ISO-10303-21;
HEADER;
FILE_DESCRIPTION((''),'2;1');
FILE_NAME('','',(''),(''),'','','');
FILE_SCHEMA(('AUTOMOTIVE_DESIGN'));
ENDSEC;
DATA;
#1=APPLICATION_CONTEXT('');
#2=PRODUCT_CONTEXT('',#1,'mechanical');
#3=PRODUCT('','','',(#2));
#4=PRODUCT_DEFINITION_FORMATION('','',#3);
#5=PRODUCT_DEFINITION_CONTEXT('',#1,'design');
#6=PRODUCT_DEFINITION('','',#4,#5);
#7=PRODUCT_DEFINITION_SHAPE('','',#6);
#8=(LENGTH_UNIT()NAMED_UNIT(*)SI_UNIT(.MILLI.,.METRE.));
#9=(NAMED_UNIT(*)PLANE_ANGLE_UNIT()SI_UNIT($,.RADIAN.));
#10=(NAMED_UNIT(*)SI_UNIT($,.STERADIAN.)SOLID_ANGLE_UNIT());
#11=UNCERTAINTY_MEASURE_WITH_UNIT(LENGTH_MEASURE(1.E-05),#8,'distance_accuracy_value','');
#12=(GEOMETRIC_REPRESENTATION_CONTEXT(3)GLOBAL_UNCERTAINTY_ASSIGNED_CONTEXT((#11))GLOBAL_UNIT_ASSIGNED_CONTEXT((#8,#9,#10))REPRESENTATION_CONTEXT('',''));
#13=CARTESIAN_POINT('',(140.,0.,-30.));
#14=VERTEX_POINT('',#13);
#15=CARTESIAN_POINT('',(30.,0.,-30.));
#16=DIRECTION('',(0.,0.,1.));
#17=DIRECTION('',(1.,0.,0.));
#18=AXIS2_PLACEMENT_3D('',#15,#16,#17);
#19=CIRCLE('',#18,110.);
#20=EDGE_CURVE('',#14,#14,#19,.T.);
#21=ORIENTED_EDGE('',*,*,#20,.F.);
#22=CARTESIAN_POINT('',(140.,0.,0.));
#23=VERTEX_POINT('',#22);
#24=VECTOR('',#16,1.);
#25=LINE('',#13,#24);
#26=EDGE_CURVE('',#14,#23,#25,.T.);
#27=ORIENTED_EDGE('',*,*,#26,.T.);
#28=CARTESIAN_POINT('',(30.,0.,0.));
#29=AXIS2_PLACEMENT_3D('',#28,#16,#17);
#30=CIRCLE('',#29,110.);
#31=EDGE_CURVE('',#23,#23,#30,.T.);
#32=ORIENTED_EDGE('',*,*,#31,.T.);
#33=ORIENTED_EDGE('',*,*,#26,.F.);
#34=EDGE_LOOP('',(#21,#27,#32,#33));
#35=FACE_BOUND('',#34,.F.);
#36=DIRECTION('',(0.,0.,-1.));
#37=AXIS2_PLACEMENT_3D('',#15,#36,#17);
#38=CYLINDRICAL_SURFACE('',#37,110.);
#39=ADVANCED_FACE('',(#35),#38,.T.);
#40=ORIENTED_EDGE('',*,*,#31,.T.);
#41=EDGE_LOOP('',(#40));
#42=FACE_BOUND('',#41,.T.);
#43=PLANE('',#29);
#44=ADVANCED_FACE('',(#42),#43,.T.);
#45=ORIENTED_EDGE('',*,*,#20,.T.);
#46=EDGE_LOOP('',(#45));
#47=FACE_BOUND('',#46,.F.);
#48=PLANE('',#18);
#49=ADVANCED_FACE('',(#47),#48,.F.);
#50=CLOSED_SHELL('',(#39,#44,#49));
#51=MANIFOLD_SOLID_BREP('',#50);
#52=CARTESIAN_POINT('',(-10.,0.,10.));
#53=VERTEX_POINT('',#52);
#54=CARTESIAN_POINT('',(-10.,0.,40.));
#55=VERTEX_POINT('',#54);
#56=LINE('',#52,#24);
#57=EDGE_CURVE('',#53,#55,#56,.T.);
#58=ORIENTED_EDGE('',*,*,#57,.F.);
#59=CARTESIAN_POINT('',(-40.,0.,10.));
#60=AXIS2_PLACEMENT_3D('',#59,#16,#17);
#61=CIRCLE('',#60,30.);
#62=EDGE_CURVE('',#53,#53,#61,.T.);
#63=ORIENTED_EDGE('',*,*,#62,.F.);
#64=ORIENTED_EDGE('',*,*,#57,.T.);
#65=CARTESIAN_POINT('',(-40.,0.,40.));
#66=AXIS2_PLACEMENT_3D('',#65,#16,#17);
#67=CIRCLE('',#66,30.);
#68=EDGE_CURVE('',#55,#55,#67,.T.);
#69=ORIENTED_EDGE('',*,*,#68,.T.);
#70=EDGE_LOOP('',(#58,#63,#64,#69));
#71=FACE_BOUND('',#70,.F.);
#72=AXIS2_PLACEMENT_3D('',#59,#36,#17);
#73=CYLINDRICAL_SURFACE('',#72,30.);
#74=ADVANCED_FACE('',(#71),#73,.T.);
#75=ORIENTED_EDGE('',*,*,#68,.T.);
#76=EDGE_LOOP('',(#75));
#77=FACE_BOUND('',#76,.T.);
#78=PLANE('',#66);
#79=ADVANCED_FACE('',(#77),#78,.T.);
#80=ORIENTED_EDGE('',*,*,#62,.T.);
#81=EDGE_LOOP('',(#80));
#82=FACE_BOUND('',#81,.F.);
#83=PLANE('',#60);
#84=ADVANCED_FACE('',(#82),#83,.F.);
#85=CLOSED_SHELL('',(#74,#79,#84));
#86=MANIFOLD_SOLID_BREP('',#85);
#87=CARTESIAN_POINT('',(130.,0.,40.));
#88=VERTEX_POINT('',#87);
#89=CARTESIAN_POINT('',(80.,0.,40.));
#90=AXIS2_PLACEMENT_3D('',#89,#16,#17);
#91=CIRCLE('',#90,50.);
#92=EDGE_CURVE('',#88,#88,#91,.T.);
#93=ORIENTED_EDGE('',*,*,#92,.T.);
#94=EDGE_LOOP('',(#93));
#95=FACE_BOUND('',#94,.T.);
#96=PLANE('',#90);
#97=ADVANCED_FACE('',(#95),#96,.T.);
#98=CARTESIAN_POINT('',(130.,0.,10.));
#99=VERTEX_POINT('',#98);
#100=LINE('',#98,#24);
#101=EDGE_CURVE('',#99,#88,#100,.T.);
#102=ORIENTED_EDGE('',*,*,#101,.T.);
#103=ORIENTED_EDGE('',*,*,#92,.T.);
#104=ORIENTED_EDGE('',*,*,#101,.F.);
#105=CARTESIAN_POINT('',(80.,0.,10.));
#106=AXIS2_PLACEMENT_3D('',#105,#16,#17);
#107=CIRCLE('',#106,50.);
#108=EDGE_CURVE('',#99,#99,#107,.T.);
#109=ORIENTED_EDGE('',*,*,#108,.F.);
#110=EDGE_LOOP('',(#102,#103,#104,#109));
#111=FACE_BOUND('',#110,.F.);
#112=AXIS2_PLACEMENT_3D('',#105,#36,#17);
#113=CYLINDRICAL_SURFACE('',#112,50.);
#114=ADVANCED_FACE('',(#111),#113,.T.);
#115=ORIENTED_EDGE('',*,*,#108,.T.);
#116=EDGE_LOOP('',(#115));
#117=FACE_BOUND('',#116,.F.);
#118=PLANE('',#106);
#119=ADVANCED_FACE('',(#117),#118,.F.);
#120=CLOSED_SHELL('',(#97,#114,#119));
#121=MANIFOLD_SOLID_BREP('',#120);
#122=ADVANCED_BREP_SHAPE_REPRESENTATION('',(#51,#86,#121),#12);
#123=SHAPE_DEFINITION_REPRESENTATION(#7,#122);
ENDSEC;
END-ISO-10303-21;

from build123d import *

# Parameters (mm, degrees)
CYLINDER_R        = 50
CYLINDER_DEPTH    = 30
CYLINDER001_R     = 30
CYLINDER001_DEPTH = 30
CYLINDER002_R     = 110
CYLINDER002_DEPTH = 30


with BuildPart() as cylinder:
    # Cylinder → Cylinder (new body)
    with BuildSketch(Plane(origin=(80, 0, 10), x_dir=(1, 0, 0), z_dir=(0, 0, 1))):
        Circle(CYLINDER_R)
    extrude(amount=CYLINDER_DEPTH)


with BuildPart() as cylinder001:
    # Cylinder001 → Cylinder001 (new body)
    with BuildSketch(Plane(origin=(-40, 0, 10), x_dir=(1, 0, 0), z_dir=(0, 0, 1))):
        Circle(CYLINDER001_R)
    extrude(amount=CYLINDER001_DEPTH)


with BuildPart() as cylinder002:
    # Cylinder002 → Cylinder002 (new body)
    with BuildSketch(Plane(origin=(30, 0, -30), x_dir=(1, 0, 0), z_dir=(0, 0, 1))):
        Circle(CYLINDER002_R)
    extrude(amount=CYLINDER002_DEPTH)


solid = Compound([cylinder.part, cylinder001.part, cylinder002.part])
